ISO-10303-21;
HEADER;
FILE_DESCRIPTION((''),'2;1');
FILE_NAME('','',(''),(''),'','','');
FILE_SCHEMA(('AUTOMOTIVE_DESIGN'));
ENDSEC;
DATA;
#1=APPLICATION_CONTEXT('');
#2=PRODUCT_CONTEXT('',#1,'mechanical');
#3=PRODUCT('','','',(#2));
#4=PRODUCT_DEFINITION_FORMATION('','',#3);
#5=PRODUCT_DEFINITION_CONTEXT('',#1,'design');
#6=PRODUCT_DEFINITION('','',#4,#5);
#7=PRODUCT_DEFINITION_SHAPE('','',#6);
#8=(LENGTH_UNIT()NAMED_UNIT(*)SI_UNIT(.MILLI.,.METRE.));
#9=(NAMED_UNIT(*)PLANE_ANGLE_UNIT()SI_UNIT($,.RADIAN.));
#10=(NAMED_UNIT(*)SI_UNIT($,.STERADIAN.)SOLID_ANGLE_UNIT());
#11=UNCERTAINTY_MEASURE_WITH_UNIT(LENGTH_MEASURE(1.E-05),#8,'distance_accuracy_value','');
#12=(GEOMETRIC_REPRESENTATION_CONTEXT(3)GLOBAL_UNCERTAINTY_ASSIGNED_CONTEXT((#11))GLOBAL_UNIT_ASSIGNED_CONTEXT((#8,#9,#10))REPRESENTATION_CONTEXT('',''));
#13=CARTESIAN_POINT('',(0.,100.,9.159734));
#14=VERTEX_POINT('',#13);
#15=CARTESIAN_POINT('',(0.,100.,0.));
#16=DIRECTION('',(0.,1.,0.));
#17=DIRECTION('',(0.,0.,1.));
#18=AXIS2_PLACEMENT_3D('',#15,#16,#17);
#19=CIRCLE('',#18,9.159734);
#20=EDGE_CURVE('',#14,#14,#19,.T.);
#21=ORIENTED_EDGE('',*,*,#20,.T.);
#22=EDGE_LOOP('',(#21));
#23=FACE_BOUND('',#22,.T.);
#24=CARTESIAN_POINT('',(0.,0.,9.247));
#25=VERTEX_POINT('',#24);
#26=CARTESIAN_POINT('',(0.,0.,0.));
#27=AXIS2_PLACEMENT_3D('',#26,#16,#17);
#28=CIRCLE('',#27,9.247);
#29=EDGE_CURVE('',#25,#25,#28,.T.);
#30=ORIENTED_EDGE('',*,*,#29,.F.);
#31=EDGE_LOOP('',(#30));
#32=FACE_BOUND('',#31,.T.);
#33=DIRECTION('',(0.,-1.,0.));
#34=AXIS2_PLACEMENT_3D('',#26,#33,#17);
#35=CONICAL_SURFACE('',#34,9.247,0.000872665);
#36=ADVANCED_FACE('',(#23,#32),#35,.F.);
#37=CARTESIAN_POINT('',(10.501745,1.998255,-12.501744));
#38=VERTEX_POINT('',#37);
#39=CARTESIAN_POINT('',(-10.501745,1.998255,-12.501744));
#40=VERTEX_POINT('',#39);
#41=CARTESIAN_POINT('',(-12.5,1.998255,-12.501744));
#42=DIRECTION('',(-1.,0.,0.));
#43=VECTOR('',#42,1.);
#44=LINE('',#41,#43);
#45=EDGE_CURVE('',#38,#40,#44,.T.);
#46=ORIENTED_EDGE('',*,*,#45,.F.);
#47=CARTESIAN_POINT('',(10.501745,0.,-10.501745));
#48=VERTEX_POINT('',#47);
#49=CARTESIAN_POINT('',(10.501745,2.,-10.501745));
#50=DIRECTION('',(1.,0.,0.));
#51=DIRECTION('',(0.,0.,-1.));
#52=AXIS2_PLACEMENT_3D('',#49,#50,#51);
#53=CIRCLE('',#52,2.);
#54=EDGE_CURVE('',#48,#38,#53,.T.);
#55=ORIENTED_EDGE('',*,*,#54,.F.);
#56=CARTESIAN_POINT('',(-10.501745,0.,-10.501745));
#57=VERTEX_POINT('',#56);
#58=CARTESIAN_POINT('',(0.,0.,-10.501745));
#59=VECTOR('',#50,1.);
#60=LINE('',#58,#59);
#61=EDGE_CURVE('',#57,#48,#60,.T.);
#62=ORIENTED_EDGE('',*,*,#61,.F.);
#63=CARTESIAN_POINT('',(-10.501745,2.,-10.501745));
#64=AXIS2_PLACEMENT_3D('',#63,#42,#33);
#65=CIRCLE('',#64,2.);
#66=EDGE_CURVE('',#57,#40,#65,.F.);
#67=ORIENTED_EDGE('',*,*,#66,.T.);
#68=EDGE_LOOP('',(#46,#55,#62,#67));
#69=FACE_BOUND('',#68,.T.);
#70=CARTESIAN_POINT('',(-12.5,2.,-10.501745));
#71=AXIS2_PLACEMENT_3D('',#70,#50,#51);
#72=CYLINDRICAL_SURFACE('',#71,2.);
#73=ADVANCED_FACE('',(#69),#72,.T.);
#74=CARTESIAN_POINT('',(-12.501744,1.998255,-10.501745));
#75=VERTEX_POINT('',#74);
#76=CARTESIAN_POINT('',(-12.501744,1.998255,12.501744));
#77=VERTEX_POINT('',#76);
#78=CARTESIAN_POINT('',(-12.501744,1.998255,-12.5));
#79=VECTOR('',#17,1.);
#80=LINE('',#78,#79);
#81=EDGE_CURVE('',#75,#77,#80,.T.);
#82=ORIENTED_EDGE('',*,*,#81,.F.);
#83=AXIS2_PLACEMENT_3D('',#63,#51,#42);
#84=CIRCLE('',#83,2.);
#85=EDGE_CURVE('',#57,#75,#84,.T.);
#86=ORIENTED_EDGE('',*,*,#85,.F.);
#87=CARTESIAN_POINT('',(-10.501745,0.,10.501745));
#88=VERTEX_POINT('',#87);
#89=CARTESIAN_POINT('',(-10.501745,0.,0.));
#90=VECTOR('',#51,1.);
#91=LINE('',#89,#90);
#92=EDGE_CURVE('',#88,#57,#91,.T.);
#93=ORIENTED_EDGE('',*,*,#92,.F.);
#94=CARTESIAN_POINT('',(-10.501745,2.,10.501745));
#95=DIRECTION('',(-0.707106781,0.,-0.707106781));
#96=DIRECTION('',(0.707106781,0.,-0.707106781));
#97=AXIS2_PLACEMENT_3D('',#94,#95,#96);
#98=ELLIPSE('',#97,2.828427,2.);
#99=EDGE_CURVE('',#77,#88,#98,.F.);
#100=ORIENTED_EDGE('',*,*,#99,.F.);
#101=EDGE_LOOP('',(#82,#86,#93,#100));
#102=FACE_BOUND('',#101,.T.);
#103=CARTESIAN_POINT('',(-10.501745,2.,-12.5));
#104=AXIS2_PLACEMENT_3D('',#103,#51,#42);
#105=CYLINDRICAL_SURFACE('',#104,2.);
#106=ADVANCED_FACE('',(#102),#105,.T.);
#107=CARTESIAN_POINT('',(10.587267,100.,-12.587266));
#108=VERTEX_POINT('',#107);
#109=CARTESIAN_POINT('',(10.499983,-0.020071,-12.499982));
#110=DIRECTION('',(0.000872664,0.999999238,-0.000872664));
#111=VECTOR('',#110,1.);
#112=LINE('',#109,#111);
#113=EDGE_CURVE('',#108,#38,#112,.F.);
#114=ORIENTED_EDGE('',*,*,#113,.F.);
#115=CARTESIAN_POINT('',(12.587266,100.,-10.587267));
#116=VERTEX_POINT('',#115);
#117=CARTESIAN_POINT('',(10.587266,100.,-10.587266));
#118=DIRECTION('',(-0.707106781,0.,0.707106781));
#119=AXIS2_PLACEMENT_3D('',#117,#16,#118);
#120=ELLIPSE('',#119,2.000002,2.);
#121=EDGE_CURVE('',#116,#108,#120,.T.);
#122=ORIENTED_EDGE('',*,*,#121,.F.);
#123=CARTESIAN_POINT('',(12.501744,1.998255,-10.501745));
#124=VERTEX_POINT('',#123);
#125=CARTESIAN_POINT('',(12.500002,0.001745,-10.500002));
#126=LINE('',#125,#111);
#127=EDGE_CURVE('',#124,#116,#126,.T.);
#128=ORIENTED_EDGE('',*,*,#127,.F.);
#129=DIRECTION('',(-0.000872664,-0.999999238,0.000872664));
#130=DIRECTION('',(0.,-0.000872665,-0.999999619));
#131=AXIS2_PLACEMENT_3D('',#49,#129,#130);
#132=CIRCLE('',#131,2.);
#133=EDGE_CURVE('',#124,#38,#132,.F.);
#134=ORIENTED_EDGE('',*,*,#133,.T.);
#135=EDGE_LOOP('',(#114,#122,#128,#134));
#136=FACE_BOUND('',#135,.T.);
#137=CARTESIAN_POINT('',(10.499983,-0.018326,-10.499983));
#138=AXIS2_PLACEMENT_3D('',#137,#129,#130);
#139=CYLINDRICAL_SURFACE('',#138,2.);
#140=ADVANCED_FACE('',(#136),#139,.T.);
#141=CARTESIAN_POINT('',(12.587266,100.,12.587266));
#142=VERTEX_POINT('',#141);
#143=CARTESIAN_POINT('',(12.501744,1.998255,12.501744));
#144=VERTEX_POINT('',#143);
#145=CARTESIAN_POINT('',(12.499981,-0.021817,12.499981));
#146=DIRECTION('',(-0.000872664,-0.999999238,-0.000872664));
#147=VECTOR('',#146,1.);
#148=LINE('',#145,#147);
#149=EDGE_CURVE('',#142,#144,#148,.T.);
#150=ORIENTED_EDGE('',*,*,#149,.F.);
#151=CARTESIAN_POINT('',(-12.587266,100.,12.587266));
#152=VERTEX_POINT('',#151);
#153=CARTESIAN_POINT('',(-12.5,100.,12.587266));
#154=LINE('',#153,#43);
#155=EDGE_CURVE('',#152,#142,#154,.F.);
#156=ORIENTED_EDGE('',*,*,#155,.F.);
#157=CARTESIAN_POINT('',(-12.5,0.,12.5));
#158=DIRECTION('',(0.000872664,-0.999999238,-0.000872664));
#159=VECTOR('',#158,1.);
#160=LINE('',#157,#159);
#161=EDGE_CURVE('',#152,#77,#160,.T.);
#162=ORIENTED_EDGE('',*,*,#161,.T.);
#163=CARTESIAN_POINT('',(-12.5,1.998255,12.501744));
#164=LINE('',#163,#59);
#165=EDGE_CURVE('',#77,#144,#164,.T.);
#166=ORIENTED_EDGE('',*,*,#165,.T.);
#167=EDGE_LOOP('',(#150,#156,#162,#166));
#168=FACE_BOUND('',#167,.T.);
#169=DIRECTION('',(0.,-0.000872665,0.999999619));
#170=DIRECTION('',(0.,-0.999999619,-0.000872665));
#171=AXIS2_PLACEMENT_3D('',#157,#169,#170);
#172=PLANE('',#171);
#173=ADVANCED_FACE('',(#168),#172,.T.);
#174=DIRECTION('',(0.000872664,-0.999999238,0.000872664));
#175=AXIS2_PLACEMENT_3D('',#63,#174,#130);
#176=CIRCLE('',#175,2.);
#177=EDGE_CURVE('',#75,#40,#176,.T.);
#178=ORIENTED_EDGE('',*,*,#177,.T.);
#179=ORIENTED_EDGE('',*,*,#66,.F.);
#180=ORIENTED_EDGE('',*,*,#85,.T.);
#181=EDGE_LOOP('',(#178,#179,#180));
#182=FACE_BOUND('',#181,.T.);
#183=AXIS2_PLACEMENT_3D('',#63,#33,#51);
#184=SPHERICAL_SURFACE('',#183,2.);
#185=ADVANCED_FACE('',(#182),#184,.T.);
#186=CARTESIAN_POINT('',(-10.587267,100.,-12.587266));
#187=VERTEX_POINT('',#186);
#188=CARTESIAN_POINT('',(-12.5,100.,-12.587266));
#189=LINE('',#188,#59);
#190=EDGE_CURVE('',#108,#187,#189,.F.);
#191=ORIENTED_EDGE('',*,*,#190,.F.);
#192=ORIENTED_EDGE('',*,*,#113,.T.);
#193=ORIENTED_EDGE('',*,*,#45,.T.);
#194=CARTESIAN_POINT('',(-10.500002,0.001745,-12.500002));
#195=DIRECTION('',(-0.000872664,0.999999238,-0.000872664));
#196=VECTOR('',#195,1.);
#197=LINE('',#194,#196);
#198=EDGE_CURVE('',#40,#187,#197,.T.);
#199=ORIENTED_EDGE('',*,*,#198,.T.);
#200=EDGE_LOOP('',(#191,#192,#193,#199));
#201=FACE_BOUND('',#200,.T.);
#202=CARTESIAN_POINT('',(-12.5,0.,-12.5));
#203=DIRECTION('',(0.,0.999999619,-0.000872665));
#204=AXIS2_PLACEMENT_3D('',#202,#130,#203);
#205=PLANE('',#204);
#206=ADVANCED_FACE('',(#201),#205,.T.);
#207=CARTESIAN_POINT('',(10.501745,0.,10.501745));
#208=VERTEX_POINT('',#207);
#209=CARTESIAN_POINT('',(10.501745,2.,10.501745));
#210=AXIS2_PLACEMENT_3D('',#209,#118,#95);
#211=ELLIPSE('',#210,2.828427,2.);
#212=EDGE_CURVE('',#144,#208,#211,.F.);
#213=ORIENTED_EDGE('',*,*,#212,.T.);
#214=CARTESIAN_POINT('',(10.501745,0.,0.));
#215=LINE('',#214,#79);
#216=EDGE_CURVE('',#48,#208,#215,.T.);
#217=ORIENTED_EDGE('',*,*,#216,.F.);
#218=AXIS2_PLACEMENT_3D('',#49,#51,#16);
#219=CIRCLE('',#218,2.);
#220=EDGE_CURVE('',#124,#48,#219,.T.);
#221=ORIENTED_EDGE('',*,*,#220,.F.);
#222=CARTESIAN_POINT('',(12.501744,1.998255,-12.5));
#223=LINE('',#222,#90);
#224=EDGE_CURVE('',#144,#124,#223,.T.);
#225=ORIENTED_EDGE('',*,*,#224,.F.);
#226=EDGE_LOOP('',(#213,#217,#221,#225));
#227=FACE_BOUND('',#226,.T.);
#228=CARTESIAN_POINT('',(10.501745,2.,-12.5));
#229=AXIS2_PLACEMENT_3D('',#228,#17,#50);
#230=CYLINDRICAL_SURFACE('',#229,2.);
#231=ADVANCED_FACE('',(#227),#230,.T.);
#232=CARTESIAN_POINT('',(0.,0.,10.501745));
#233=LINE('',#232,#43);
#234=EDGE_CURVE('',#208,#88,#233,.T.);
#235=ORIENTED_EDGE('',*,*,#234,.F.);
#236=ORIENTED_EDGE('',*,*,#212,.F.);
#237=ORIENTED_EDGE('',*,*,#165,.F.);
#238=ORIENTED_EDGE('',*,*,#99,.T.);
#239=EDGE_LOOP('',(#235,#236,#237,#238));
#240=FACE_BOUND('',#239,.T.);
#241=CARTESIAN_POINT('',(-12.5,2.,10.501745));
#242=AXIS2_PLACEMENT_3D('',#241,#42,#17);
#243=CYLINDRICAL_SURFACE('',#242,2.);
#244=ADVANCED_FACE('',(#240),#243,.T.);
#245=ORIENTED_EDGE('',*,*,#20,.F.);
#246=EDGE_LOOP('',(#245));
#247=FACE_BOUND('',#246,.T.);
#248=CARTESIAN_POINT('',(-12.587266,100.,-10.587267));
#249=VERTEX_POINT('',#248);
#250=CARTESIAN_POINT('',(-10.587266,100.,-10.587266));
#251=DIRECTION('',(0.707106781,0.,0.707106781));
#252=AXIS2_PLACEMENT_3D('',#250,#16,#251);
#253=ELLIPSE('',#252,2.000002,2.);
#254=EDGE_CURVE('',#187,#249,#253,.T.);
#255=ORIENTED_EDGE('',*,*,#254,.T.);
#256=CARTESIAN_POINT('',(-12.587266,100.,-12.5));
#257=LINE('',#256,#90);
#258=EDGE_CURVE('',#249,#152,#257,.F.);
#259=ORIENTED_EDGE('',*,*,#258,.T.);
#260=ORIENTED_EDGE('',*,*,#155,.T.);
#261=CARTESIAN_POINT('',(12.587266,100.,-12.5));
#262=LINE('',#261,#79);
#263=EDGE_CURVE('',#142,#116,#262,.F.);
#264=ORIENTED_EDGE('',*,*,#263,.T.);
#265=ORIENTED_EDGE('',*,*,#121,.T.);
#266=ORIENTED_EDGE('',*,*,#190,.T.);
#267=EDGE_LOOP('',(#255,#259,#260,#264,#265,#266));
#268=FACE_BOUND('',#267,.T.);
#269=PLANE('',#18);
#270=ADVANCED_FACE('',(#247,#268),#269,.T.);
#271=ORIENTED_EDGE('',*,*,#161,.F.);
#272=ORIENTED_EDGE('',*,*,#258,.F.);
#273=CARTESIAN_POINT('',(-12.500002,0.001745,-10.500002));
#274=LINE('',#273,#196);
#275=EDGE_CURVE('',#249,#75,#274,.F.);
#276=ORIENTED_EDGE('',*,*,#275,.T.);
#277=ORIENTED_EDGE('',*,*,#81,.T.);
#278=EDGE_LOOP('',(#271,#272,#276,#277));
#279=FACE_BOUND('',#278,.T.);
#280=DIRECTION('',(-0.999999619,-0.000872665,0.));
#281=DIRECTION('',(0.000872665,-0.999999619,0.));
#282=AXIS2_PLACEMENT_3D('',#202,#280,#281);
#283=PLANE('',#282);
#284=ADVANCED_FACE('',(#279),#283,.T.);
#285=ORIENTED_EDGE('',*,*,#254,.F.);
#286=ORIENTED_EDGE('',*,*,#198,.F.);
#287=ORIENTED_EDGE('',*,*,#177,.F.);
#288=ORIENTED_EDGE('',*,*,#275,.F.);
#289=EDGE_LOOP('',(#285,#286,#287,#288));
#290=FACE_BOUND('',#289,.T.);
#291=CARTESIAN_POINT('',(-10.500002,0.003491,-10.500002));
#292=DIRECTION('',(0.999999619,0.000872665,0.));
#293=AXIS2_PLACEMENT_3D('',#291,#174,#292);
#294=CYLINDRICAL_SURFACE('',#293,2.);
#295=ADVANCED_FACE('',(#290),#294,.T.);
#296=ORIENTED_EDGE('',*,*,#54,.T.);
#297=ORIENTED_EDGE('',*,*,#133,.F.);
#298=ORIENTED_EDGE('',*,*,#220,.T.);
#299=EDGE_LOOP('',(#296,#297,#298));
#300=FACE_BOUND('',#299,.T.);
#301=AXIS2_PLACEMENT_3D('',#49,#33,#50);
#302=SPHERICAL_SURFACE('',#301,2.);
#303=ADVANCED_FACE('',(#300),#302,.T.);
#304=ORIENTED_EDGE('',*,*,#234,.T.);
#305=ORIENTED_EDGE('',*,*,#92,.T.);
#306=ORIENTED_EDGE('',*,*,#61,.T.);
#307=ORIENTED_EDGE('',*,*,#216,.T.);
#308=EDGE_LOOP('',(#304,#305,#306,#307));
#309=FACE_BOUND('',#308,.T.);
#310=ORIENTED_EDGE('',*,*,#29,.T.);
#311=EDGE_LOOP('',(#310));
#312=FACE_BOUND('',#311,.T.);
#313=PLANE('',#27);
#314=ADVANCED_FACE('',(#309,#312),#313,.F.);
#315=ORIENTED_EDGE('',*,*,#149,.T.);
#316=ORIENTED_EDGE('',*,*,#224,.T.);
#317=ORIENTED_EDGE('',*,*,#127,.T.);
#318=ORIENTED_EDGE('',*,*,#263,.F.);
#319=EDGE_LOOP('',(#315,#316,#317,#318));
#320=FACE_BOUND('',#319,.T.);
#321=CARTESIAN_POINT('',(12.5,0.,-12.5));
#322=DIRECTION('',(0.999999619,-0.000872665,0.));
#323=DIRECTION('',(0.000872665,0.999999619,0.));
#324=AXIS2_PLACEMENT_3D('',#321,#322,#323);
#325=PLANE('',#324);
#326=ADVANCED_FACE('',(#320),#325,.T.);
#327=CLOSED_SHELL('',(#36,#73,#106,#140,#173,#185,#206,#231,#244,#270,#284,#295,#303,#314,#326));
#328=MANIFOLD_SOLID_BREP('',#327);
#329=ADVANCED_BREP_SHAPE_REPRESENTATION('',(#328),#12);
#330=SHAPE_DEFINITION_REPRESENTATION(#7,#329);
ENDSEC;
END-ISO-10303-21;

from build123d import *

# Parameters (mm, degrees)
SKETCH2_W           = 25
SKETCH2_H           = 25
SKETCH2_R           = 9.247
BOSS_EXTRUDE1_DEPTH = 100
BOSS_EXTRUDE1_DRAFT = -0.05
FILLET4_R           = 2


with BuildPart() as part:
    # Sketch2 → Boss-Extrude1 (with draft: the straight prism first)
    with BuildSketch(Plane(origin=(0, 0, 0), x_dir=(1, 0, 0), z_dir=(0, 1, 0))):
        Rectangle(SKETCH2_W, SKETCH2_H)
        Circle(SKETCH2_R, mode=Mode.SUBTRACT)
    extrude(amount=BOSS_EXTRUDE1_DEPTH)
    # Boss-Extrude1: the draft: its side faces are tilted about the plane it starts from
    boss_extrude1_sides = [part.faces().sort_by_distance(p)[0] for p in [
        (-12.5, 50, 0),
        (0, 50, 12.5),
        (12.5, 50, 0),
        (0, 50, -12.5),
        (-9.247, 50, 0),
    ]]
    draft(boss_extrude1_sides, Plane(origin=(0, 0, 0), x_dir=(1, 0, 0), z_dir=(0, 1, 0)), BOSS_EXTRUDE1_DRAFT)

    # Fillet4
    fillet4_edges = [part.edges().sort_by_distance(p)[0] for p in [
        (0, 0, 12.5),
        (-12.5, 0, 0),
        (0, 0, -12.5),
        (12.5, 0, 0),
        (-12.543633242, 50, -12.543633242),
        (12.543633242, 50, -12.543633242),
    ]]
    fillet(fillet4_edges, radius=FILLET4_R)


solid = part.part
